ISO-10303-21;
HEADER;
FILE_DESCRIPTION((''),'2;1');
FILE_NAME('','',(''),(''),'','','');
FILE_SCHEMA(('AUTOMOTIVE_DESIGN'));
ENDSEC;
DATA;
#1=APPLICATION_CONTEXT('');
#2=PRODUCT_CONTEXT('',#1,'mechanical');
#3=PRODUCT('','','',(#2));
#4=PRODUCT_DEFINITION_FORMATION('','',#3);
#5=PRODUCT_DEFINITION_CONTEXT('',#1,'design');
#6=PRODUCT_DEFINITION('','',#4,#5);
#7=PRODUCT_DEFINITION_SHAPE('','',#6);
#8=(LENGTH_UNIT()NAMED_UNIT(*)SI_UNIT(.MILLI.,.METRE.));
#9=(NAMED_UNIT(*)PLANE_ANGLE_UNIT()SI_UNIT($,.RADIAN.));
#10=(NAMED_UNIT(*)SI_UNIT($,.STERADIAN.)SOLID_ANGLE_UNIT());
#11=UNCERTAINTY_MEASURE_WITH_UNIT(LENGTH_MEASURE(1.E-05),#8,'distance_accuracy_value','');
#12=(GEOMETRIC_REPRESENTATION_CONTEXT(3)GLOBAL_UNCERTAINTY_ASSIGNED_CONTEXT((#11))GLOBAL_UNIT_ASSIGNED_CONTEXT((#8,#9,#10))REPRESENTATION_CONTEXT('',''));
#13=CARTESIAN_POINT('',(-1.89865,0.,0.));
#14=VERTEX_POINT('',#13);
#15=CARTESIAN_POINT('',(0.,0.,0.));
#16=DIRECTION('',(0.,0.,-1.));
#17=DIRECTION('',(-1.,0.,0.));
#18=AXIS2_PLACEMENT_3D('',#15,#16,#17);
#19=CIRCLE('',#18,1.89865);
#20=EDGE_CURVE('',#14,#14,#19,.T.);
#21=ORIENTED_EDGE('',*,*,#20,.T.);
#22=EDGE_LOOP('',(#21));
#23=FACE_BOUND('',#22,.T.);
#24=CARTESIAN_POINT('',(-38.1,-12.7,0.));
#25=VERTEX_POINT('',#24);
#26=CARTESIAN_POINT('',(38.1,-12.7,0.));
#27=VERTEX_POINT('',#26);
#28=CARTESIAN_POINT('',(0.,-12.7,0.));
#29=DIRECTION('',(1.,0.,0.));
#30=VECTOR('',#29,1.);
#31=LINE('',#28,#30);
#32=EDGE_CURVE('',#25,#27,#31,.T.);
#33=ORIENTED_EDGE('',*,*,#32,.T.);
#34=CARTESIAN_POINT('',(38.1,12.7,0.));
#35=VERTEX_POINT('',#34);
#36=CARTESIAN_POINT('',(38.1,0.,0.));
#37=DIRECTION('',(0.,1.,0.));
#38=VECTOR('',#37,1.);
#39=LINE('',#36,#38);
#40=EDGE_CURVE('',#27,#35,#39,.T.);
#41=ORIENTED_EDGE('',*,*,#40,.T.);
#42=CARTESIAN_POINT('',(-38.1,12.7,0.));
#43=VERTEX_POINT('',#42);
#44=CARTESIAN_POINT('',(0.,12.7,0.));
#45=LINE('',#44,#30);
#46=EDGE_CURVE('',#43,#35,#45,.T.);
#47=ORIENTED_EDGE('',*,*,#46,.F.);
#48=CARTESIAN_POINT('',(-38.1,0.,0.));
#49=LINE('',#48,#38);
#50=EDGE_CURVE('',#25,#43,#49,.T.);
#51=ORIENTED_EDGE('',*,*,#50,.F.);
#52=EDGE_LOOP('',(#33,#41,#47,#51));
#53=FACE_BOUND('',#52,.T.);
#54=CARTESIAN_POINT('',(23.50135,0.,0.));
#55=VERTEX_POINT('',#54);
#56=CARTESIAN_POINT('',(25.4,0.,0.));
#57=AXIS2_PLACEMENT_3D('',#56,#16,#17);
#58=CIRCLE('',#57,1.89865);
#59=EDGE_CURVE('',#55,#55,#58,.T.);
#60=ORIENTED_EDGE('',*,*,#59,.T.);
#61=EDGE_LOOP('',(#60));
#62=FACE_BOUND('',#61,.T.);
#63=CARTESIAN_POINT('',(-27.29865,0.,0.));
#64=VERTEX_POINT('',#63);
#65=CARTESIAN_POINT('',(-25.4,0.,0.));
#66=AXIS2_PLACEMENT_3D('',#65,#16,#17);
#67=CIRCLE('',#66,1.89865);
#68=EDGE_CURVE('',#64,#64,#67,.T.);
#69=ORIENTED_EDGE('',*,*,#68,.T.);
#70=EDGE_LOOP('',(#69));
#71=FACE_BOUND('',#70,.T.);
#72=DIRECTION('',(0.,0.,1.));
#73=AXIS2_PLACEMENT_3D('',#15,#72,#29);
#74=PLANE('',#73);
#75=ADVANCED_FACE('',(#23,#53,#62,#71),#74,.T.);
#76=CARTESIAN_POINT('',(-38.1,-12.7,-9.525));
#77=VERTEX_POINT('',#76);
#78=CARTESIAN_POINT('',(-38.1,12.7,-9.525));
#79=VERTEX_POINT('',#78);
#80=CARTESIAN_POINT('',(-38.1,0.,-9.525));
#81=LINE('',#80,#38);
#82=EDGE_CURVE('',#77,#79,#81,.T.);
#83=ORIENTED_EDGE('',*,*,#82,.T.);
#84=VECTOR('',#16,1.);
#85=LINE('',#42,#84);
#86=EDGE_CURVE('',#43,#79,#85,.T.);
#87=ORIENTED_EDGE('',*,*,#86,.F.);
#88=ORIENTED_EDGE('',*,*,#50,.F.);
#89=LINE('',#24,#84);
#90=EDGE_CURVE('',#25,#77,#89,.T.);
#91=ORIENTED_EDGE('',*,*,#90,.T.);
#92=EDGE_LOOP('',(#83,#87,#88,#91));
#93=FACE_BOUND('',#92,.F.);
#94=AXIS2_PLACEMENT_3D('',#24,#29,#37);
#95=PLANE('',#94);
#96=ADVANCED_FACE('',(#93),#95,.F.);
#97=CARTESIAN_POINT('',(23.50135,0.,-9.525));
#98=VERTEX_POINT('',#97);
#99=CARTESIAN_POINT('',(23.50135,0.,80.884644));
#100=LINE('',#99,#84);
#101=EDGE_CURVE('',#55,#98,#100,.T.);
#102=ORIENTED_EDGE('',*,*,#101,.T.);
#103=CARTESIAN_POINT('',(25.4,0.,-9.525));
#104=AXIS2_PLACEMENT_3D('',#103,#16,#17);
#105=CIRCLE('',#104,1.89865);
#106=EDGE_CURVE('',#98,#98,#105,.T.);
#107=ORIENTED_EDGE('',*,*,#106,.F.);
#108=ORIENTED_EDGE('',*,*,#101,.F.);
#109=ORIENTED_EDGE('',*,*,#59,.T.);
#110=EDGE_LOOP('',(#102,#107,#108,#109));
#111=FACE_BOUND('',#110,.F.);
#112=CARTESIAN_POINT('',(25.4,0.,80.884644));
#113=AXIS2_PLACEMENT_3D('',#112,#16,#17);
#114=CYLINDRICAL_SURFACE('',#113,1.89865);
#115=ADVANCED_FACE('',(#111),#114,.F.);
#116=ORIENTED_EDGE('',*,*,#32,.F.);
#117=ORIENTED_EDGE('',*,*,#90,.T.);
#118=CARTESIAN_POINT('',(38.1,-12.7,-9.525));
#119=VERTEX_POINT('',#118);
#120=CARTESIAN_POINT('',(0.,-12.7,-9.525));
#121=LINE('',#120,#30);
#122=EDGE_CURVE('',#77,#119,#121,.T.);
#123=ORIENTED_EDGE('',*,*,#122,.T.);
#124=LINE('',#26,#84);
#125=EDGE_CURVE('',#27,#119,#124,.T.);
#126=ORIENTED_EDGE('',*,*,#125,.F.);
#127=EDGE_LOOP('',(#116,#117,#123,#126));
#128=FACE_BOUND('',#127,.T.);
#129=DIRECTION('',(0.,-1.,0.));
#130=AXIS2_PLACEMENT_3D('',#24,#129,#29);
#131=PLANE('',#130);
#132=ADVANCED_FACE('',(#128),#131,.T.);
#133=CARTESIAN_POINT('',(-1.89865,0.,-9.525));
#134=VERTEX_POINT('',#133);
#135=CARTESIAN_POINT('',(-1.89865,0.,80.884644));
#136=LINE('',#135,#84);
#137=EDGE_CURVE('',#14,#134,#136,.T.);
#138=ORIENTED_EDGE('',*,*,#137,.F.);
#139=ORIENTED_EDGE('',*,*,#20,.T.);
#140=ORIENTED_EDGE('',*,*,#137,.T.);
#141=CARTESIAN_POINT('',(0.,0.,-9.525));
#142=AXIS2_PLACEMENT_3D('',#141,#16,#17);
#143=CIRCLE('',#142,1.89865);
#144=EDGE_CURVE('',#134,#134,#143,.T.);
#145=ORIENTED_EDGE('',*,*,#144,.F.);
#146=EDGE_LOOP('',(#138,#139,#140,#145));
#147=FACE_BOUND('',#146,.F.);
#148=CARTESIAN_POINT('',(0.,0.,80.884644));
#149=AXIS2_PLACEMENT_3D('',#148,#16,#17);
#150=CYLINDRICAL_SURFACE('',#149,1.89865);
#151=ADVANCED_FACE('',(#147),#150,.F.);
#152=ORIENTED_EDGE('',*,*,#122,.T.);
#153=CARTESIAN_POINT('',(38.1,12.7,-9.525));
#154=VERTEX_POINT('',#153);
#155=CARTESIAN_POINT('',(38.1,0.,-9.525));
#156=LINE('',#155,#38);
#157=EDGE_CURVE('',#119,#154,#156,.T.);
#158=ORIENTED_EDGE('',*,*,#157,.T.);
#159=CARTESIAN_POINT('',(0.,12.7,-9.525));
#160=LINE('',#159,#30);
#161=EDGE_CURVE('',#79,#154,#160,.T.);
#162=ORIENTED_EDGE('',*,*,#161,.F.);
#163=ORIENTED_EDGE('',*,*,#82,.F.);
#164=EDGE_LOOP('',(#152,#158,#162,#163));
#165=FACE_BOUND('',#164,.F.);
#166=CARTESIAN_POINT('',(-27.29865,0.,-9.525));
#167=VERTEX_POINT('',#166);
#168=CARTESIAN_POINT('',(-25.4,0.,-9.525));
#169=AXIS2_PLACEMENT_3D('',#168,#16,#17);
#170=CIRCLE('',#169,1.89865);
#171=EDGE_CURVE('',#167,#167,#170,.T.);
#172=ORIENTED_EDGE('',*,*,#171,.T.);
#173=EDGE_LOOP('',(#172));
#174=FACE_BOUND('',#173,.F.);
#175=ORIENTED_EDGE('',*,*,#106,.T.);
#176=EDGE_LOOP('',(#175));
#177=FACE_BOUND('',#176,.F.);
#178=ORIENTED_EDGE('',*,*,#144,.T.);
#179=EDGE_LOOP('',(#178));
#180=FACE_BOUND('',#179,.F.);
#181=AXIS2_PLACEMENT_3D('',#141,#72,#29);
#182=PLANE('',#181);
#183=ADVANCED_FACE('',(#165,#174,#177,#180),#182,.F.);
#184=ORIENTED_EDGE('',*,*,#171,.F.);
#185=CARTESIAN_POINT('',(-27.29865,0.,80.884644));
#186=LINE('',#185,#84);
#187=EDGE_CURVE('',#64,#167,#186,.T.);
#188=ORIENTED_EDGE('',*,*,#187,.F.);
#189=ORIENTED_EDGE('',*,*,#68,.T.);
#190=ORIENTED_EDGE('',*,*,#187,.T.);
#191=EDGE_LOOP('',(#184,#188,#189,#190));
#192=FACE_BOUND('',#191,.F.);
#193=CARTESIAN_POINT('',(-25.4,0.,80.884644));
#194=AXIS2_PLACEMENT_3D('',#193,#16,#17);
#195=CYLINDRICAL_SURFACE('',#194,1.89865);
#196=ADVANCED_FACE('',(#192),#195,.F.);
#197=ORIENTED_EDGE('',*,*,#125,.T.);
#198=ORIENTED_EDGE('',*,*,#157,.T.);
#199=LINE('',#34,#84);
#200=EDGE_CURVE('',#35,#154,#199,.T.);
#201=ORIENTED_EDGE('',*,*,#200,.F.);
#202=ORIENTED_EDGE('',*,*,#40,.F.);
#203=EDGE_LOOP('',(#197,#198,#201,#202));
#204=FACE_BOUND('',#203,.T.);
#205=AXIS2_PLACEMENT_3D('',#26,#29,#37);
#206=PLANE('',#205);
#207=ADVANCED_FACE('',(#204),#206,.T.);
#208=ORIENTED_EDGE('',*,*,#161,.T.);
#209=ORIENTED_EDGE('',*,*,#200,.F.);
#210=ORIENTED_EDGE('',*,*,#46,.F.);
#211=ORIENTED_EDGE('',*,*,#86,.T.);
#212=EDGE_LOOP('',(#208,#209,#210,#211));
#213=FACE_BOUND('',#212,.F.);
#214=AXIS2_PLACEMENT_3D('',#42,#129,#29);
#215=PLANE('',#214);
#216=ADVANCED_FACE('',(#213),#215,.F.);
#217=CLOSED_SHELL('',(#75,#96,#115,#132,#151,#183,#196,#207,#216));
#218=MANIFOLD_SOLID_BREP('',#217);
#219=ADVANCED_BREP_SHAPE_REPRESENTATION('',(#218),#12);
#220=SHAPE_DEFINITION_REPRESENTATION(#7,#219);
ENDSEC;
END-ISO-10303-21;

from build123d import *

# Parameters (mm, degrees)
F0_W     = 76.2
F0_H     = 25.4
F1_DEPTH = 9.525
F2_D     = 3.7973


with BuildPart() as f1:
    # F0 (on Top) → F1 (new body)
    with BuildSketch(Plane.XY):
        Rectangle(F0_W, F0_H)
    extrude(amount=-F1_DEPTH)

    # F2 (through all)
    with Locations(Plane.XY):
        with Locations((-25.4, 0), (25.4, 0), (0, 0)):
            Hole(F2_D / 2)


solid = f1.part
